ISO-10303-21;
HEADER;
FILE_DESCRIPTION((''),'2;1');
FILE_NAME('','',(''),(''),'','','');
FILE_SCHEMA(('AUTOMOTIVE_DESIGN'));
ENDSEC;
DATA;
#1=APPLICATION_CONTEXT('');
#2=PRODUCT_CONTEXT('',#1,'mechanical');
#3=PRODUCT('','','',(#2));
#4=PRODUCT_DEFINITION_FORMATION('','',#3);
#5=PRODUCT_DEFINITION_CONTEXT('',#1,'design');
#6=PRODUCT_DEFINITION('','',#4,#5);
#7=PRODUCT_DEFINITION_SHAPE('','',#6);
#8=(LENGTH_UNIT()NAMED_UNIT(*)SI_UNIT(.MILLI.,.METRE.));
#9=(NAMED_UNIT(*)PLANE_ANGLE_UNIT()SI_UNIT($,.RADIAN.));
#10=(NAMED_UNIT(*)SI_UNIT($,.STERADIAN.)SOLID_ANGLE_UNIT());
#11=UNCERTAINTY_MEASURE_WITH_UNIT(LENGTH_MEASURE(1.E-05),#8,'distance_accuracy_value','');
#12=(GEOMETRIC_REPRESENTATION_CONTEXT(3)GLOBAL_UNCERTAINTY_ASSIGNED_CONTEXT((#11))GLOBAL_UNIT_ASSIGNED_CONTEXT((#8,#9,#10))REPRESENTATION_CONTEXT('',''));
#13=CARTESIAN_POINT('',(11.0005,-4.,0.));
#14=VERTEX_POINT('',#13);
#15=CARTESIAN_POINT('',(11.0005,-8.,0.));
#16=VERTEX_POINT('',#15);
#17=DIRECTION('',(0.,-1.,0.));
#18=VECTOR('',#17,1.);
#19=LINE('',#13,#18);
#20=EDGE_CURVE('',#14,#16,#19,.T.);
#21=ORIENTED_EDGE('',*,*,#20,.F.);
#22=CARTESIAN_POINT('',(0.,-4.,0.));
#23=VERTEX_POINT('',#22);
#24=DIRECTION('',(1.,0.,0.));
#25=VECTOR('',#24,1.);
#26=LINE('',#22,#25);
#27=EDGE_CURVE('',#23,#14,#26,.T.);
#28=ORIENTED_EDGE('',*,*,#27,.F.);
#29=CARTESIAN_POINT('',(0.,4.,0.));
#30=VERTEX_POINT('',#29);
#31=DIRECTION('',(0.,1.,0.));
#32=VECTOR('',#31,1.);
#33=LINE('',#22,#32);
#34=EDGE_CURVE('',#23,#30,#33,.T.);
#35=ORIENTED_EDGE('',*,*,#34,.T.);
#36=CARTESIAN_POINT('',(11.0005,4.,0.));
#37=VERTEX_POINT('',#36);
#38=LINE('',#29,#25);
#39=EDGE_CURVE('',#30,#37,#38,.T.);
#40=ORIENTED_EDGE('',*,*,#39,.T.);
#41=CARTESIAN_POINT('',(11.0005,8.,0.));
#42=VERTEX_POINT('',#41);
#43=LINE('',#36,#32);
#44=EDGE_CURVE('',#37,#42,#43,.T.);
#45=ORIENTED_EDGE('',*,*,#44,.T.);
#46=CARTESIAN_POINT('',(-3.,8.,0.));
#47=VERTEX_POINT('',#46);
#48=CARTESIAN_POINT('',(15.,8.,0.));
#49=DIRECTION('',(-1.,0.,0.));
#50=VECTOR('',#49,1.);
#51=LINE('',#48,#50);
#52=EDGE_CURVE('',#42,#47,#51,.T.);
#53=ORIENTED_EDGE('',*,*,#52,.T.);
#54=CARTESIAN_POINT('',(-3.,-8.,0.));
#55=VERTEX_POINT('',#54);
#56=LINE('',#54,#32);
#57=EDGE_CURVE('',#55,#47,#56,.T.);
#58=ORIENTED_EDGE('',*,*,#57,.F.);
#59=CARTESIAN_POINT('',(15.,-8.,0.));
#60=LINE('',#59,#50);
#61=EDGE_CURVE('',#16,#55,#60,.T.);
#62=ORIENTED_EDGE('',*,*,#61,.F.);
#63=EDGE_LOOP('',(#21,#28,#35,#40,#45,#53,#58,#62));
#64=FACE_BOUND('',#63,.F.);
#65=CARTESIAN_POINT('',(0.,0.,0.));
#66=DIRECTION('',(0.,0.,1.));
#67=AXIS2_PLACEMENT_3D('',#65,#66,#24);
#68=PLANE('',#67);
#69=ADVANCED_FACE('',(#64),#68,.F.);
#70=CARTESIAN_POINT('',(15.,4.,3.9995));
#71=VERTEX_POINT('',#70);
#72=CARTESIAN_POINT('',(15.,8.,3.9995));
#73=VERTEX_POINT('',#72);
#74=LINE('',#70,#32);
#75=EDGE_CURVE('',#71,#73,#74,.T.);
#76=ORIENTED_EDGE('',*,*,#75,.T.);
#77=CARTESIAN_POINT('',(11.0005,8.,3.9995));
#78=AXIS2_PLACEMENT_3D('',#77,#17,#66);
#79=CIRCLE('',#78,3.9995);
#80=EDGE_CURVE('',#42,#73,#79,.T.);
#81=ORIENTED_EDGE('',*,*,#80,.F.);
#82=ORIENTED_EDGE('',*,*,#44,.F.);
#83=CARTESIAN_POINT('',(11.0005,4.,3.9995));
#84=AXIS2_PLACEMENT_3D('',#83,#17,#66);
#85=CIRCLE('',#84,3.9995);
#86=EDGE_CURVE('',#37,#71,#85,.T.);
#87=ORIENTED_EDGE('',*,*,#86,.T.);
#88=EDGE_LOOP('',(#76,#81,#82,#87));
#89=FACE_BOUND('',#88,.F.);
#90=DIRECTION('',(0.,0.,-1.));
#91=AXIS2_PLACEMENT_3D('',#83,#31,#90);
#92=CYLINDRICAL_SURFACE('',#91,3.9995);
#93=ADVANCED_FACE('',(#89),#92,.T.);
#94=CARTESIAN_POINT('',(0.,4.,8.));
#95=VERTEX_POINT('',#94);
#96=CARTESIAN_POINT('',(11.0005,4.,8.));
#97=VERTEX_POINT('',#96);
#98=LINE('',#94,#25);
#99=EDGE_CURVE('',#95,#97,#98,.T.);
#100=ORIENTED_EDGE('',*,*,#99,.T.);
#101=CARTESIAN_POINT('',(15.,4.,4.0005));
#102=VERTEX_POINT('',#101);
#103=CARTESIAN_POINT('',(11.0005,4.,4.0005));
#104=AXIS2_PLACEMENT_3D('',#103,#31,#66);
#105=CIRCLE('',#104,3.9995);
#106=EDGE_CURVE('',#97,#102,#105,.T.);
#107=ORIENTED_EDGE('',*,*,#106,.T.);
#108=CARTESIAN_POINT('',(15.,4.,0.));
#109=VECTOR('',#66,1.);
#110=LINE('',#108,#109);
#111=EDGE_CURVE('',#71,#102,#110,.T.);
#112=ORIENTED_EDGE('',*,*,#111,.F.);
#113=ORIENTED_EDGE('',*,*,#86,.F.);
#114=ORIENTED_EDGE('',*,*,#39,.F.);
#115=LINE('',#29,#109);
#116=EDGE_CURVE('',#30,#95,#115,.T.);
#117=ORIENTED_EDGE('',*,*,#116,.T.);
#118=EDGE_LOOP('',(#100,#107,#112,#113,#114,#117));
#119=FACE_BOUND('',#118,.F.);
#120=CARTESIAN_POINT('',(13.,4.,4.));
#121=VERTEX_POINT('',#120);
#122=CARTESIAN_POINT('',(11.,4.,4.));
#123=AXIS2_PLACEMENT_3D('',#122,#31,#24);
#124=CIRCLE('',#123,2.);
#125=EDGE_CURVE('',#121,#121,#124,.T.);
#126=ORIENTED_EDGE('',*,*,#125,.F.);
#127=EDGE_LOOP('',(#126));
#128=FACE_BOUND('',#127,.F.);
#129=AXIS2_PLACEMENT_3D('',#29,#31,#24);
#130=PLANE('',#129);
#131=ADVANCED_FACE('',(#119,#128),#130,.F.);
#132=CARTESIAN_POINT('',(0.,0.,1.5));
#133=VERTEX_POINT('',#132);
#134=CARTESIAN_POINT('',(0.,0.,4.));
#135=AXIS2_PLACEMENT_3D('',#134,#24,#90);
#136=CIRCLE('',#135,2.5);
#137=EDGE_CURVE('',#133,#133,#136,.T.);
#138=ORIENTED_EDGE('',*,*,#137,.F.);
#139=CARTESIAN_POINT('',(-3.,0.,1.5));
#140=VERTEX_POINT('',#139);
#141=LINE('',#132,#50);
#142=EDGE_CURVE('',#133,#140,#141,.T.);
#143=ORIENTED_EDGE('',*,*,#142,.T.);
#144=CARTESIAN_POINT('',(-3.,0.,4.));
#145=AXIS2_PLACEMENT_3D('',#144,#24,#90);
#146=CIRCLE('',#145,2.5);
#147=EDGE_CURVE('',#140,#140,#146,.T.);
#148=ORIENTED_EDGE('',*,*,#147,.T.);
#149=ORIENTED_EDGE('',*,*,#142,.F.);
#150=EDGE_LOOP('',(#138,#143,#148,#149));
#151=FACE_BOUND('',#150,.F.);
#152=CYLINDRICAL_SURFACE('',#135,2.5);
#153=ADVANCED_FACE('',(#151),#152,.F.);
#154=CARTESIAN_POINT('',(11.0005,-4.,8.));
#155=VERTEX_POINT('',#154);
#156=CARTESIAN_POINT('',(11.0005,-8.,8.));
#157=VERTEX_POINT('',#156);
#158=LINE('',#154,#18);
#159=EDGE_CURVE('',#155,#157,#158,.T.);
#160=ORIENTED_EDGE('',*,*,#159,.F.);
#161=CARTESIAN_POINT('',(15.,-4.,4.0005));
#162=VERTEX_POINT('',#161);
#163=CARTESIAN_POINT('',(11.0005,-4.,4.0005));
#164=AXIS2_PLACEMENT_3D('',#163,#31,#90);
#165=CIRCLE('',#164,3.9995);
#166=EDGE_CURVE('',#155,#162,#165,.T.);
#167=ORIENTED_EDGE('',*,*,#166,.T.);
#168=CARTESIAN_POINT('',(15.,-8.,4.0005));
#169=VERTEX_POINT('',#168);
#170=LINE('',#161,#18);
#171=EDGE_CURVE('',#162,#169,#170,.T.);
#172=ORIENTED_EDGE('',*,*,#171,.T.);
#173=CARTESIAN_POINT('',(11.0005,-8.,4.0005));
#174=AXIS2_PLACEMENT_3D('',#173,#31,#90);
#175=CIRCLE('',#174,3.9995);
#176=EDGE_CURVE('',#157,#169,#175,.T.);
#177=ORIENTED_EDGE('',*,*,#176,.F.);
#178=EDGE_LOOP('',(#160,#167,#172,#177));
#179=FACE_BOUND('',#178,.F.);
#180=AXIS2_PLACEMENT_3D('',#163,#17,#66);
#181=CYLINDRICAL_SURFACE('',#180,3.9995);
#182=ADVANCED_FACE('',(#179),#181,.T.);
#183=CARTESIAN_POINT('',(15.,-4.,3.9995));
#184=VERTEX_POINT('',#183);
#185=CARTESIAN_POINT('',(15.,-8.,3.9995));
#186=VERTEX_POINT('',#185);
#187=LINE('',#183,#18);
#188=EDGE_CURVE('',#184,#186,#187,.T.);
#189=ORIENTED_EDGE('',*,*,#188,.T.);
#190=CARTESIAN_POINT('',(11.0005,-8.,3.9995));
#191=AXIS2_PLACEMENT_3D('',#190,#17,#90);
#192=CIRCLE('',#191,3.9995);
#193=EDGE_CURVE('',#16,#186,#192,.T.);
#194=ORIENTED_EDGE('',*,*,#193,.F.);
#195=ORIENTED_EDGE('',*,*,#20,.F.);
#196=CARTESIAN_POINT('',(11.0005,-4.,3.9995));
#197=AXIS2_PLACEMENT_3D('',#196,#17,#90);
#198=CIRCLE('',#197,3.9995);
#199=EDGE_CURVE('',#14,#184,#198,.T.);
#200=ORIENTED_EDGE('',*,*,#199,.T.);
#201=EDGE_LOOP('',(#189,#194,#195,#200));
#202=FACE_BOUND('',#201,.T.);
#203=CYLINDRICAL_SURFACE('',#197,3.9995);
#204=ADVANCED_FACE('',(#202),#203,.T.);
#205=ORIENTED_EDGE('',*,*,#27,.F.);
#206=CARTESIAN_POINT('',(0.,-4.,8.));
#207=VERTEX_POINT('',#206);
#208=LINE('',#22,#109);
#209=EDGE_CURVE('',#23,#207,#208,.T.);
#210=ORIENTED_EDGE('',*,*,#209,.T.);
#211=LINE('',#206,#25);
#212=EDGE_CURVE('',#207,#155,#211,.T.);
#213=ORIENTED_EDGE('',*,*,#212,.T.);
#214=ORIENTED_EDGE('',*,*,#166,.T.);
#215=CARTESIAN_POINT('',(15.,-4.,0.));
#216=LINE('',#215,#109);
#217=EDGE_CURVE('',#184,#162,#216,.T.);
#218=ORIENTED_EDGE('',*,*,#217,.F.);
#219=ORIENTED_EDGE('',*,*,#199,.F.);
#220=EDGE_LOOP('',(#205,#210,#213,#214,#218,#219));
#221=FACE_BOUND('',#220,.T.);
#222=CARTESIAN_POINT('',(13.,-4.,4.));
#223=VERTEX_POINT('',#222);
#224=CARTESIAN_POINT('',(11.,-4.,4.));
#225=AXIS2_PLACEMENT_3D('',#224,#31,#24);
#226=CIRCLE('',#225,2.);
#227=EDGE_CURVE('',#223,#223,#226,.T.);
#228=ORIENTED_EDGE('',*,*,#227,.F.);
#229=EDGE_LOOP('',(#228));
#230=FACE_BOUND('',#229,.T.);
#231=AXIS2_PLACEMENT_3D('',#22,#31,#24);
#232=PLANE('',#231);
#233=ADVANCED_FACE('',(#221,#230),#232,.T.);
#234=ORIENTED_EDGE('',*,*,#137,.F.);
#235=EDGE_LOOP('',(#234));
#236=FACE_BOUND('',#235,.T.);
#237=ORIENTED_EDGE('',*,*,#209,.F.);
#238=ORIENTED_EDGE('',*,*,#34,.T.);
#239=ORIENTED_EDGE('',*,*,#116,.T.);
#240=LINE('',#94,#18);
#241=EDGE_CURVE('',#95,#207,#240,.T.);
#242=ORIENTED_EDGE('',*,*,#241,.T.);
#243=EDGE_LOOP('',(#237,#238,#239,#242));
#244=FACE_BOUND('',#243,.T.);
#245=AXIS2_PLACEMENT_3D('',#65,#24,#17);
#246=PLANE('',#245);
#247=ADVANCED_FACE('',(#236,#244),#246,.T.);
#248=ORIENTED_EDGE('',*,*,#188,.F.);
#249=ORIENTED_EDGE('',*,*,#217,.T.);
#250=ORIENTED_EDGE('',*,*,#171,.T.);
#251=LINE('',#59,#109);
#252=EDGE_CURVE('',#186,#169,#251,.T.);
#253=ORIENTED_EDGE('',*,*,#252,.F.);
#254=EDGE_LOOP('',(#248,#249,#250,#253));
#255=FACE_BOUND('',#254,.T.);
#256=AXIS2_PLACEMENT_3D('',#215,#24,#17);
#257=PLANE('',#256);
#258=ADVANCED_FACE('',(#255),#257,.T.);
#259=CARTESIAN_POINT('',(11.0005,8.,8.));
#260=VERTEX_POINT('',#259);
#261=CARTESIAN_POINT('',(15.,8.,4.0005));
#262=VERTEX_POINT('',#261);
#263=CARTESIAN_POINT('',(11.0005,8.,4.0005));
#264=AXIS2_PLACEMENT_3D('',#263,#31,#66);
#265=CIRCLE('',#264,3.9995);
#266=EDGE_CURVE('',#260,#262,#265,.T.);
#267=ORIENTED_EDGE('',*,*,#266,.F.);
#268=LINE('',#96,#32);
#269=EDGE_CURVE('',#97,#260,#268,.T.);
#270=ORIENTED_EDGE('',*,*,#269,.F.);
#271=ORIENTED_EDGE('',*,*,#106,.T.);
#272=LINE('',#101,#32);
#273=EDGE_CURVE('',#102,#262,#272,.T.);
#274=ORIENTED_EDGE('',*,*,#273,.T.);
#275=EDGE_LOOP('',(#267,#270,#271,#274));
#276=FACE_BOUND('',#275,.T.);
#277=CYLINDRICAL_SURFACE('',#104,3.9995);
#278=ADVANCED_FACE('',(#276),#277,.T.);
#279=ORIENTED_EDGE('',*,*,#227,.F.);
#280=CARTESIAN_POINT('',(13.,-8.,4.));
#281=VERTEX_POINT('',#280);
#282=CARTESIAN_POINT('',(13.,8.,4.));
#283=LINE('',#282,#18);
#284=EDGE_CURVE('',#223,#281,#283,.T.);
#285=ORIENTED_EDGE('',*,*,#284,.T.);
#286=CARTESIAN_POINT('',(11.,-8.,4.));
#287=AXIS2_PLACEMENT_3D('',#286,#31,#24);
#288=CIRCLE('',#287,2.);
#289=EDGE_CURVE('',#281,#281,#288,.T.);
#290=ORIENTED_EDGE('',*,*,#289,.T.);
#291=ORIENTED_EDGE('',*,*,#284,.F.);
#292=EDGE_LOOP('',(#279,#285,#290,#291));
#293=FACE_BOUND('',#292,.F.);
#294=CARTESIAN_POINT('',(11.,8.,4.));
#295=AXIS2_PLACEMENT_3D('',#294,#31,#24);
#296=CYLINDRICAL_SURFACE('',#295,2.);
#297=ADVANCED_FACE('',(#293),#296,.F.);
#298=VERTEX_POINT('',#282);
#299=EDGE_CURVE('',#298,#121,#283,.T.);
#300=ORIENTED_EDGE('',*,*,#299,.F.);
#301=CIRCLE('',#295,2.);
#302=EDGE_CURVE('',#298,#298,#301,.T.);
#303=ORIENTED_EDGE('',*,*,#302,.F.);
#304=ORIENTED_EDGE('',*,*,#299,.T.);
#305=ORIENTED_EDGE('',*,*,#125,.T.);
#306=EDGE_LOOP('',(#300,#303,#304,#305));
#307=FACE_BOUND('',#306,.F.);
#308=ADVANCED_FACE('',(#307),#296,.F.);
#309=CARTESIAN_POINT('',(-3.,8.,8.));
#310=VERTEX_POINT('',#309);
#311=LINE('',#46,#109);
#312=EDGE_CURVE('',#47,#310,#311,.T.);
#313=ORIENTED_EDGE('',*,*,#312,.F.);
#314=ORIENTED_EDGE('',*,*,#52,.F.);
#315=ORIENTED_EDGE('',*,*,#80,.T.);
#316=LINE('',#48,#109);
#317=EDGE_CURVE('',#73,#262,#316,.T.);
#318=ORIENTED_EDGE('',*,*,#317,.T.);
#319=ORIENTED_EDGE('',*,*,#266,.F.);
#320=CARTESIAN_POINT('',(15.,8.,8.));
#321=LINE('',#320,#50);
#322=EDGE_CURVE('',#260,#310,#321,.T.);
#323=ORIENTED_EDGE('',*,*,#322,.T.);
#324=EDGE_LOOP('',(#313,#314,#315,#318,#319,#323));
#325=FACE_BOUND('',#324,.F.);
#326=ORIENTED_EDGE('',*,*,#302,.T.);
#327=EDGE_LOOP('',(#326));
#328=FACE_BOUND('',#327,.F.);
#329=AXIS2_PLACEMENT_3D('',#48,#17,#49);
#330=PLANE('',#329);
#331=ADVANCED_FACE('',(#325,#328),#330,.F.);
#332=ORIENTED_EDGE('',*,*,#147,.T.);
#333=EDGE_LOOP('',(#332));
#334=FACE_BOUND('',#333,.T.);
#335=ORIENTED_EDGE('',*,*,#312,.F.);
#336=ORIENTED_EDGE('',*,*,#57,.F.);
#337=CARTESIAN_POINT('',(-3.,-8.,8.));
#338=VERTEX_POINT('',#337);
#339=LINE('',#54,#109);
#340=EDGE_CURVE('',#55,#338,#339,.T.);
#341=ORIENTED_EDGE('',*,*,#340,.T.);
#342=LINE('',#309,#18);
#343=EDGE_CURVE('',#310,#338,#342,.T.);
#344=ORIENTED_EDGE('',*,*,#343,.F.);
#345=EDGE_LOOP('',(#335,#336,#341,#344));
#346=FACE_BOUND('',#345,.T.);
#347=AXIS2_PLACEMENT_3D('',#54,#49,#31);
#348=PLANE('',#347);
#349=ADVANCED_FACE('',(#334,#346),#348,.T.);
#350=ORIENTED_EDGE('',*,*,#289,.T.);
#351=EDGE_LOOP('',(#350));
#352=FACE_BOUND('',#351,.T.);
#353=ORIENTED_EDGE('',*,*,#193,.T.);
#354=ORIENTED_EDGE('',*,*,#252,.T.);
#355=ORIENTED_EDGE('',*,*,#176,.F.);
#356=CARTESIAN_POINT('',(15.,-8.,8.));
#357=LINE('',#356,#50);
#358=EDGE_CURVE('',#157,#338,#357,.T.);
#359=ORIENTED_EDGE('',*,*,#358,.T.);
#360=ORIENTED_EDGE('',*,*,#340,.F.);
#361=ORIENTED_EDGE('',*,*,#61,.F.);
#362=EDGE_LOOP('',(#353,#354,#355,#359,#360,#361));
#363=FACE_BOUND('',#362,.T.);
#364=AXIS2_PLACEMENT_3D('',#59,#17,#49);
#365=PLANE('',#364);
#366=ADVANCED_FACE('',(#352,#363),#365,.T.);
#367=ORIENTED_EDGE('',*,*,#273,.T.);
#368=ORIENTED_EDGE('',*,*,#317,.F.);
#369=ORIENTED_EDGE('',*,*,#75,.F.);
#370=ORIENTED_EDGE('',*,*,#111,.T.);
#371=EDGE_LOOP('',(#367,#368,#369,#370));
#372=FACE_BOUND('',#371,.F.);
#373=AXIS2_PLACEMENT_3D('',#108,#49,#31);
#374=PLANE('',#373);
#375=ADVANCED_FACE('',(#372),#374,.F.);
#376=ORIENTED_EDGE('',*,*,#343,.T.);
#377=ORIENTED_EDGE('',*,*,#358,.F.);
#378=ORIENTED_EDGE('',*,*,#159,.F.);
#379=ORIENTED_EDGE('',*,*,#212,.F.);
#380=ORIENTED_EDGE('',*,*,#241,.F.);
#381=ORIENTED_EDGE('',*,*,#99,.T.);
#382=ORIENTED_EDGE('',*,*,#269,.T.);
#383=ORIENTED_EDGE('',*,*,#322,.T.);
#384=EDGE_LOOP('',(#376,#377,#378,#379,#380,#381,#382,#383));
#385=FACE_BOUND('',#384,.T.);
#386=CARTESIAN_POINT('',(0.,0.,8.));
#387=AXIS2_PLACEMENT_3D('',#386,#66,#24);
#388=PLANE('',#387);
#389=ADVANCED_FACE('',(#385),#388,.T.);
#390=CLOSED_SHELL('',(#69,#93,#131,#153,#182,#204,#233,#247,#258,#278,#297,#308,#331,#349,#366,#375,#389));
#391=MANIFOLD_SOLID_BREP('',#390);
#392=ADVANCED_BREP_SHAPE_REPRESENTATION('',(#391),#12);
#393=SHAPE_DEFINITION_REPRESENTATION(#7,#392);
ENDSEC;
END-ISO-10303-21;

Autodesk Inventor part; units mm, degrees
ref_plane "YZ Plane" through (0, 0, 0) normal (1, 0, 0) x (0, 1, 0)
ref_plane "XZ Plane" through (0, 0, 0) normal (0, 1, 0) x (-1, 0, 0)
ref_plane "XY Plane" through (0, 0, 0) normal (0, 0, 1) x (1, 0, 0)
sketch "Sketch1" plane through (0, 0, 0) normal (0, 0, 1) x (1, 0, 0)
  line L0 (0, 0) -> (0, 4)
  line L1 (0, 4) -> (15, 4)
  line L2 (15, 4) -> (15, 8)
  line L3 (15, 8) -> (-3, 8)
  line L4 (-3, 8) -> (-3, 0)
  line L5 (0, 0) -> (0, -4)
  line L6 (0, -4) -> (15, -4)
  line L7 (15, -4) -> (15, -8)
  line L8 (15, -8) -> (-3, -8)
  line L9 (-3, -8) -> (-3, 0)
  point P0 (0, 2)
  dimension "d4" = 3
  dimension "d5" = 4
  dimension "d17" = 15
extrude "Extrusion1" add sketch "Sketch1" along normal blind 8
sketch "Sketch2" plane through (-3, 8, 0) normal (0, 1, 0) x (1, 0, 0)
  circle A0 centre (14, -4) radius 2
  line L0 (18, 0) -> (18, -8) projected
  point P0 (3, 0)
  point P1 (18, -4)
  dimension "d8" = 4
  dimension "d9" = 4
extrude "Extrusion2" cut sketch "Sketch2" against normal through all
fillet "Fillet1" radius 4 4 edges at (15, 6, 8) (15, 6, 0) (15, -6, 8) (15, -6, 0)
sketch "Sketch3" plane through (0, -4, 0) normal (1, 0, 0) x (0, 0, -1)
  circle A0 centre (-4, 4) radius 2.5
  line L0 (0, 0) -> (0, 8) projected
  point P0 (0, 4)
  point P1 (0, 4)
  dimension "d13" = 5
  dimension "d14" = 4
extrude "Extrusion3" cut sketch "Sketch3" against normal blind 10
properties part number "actuator mount 2"
